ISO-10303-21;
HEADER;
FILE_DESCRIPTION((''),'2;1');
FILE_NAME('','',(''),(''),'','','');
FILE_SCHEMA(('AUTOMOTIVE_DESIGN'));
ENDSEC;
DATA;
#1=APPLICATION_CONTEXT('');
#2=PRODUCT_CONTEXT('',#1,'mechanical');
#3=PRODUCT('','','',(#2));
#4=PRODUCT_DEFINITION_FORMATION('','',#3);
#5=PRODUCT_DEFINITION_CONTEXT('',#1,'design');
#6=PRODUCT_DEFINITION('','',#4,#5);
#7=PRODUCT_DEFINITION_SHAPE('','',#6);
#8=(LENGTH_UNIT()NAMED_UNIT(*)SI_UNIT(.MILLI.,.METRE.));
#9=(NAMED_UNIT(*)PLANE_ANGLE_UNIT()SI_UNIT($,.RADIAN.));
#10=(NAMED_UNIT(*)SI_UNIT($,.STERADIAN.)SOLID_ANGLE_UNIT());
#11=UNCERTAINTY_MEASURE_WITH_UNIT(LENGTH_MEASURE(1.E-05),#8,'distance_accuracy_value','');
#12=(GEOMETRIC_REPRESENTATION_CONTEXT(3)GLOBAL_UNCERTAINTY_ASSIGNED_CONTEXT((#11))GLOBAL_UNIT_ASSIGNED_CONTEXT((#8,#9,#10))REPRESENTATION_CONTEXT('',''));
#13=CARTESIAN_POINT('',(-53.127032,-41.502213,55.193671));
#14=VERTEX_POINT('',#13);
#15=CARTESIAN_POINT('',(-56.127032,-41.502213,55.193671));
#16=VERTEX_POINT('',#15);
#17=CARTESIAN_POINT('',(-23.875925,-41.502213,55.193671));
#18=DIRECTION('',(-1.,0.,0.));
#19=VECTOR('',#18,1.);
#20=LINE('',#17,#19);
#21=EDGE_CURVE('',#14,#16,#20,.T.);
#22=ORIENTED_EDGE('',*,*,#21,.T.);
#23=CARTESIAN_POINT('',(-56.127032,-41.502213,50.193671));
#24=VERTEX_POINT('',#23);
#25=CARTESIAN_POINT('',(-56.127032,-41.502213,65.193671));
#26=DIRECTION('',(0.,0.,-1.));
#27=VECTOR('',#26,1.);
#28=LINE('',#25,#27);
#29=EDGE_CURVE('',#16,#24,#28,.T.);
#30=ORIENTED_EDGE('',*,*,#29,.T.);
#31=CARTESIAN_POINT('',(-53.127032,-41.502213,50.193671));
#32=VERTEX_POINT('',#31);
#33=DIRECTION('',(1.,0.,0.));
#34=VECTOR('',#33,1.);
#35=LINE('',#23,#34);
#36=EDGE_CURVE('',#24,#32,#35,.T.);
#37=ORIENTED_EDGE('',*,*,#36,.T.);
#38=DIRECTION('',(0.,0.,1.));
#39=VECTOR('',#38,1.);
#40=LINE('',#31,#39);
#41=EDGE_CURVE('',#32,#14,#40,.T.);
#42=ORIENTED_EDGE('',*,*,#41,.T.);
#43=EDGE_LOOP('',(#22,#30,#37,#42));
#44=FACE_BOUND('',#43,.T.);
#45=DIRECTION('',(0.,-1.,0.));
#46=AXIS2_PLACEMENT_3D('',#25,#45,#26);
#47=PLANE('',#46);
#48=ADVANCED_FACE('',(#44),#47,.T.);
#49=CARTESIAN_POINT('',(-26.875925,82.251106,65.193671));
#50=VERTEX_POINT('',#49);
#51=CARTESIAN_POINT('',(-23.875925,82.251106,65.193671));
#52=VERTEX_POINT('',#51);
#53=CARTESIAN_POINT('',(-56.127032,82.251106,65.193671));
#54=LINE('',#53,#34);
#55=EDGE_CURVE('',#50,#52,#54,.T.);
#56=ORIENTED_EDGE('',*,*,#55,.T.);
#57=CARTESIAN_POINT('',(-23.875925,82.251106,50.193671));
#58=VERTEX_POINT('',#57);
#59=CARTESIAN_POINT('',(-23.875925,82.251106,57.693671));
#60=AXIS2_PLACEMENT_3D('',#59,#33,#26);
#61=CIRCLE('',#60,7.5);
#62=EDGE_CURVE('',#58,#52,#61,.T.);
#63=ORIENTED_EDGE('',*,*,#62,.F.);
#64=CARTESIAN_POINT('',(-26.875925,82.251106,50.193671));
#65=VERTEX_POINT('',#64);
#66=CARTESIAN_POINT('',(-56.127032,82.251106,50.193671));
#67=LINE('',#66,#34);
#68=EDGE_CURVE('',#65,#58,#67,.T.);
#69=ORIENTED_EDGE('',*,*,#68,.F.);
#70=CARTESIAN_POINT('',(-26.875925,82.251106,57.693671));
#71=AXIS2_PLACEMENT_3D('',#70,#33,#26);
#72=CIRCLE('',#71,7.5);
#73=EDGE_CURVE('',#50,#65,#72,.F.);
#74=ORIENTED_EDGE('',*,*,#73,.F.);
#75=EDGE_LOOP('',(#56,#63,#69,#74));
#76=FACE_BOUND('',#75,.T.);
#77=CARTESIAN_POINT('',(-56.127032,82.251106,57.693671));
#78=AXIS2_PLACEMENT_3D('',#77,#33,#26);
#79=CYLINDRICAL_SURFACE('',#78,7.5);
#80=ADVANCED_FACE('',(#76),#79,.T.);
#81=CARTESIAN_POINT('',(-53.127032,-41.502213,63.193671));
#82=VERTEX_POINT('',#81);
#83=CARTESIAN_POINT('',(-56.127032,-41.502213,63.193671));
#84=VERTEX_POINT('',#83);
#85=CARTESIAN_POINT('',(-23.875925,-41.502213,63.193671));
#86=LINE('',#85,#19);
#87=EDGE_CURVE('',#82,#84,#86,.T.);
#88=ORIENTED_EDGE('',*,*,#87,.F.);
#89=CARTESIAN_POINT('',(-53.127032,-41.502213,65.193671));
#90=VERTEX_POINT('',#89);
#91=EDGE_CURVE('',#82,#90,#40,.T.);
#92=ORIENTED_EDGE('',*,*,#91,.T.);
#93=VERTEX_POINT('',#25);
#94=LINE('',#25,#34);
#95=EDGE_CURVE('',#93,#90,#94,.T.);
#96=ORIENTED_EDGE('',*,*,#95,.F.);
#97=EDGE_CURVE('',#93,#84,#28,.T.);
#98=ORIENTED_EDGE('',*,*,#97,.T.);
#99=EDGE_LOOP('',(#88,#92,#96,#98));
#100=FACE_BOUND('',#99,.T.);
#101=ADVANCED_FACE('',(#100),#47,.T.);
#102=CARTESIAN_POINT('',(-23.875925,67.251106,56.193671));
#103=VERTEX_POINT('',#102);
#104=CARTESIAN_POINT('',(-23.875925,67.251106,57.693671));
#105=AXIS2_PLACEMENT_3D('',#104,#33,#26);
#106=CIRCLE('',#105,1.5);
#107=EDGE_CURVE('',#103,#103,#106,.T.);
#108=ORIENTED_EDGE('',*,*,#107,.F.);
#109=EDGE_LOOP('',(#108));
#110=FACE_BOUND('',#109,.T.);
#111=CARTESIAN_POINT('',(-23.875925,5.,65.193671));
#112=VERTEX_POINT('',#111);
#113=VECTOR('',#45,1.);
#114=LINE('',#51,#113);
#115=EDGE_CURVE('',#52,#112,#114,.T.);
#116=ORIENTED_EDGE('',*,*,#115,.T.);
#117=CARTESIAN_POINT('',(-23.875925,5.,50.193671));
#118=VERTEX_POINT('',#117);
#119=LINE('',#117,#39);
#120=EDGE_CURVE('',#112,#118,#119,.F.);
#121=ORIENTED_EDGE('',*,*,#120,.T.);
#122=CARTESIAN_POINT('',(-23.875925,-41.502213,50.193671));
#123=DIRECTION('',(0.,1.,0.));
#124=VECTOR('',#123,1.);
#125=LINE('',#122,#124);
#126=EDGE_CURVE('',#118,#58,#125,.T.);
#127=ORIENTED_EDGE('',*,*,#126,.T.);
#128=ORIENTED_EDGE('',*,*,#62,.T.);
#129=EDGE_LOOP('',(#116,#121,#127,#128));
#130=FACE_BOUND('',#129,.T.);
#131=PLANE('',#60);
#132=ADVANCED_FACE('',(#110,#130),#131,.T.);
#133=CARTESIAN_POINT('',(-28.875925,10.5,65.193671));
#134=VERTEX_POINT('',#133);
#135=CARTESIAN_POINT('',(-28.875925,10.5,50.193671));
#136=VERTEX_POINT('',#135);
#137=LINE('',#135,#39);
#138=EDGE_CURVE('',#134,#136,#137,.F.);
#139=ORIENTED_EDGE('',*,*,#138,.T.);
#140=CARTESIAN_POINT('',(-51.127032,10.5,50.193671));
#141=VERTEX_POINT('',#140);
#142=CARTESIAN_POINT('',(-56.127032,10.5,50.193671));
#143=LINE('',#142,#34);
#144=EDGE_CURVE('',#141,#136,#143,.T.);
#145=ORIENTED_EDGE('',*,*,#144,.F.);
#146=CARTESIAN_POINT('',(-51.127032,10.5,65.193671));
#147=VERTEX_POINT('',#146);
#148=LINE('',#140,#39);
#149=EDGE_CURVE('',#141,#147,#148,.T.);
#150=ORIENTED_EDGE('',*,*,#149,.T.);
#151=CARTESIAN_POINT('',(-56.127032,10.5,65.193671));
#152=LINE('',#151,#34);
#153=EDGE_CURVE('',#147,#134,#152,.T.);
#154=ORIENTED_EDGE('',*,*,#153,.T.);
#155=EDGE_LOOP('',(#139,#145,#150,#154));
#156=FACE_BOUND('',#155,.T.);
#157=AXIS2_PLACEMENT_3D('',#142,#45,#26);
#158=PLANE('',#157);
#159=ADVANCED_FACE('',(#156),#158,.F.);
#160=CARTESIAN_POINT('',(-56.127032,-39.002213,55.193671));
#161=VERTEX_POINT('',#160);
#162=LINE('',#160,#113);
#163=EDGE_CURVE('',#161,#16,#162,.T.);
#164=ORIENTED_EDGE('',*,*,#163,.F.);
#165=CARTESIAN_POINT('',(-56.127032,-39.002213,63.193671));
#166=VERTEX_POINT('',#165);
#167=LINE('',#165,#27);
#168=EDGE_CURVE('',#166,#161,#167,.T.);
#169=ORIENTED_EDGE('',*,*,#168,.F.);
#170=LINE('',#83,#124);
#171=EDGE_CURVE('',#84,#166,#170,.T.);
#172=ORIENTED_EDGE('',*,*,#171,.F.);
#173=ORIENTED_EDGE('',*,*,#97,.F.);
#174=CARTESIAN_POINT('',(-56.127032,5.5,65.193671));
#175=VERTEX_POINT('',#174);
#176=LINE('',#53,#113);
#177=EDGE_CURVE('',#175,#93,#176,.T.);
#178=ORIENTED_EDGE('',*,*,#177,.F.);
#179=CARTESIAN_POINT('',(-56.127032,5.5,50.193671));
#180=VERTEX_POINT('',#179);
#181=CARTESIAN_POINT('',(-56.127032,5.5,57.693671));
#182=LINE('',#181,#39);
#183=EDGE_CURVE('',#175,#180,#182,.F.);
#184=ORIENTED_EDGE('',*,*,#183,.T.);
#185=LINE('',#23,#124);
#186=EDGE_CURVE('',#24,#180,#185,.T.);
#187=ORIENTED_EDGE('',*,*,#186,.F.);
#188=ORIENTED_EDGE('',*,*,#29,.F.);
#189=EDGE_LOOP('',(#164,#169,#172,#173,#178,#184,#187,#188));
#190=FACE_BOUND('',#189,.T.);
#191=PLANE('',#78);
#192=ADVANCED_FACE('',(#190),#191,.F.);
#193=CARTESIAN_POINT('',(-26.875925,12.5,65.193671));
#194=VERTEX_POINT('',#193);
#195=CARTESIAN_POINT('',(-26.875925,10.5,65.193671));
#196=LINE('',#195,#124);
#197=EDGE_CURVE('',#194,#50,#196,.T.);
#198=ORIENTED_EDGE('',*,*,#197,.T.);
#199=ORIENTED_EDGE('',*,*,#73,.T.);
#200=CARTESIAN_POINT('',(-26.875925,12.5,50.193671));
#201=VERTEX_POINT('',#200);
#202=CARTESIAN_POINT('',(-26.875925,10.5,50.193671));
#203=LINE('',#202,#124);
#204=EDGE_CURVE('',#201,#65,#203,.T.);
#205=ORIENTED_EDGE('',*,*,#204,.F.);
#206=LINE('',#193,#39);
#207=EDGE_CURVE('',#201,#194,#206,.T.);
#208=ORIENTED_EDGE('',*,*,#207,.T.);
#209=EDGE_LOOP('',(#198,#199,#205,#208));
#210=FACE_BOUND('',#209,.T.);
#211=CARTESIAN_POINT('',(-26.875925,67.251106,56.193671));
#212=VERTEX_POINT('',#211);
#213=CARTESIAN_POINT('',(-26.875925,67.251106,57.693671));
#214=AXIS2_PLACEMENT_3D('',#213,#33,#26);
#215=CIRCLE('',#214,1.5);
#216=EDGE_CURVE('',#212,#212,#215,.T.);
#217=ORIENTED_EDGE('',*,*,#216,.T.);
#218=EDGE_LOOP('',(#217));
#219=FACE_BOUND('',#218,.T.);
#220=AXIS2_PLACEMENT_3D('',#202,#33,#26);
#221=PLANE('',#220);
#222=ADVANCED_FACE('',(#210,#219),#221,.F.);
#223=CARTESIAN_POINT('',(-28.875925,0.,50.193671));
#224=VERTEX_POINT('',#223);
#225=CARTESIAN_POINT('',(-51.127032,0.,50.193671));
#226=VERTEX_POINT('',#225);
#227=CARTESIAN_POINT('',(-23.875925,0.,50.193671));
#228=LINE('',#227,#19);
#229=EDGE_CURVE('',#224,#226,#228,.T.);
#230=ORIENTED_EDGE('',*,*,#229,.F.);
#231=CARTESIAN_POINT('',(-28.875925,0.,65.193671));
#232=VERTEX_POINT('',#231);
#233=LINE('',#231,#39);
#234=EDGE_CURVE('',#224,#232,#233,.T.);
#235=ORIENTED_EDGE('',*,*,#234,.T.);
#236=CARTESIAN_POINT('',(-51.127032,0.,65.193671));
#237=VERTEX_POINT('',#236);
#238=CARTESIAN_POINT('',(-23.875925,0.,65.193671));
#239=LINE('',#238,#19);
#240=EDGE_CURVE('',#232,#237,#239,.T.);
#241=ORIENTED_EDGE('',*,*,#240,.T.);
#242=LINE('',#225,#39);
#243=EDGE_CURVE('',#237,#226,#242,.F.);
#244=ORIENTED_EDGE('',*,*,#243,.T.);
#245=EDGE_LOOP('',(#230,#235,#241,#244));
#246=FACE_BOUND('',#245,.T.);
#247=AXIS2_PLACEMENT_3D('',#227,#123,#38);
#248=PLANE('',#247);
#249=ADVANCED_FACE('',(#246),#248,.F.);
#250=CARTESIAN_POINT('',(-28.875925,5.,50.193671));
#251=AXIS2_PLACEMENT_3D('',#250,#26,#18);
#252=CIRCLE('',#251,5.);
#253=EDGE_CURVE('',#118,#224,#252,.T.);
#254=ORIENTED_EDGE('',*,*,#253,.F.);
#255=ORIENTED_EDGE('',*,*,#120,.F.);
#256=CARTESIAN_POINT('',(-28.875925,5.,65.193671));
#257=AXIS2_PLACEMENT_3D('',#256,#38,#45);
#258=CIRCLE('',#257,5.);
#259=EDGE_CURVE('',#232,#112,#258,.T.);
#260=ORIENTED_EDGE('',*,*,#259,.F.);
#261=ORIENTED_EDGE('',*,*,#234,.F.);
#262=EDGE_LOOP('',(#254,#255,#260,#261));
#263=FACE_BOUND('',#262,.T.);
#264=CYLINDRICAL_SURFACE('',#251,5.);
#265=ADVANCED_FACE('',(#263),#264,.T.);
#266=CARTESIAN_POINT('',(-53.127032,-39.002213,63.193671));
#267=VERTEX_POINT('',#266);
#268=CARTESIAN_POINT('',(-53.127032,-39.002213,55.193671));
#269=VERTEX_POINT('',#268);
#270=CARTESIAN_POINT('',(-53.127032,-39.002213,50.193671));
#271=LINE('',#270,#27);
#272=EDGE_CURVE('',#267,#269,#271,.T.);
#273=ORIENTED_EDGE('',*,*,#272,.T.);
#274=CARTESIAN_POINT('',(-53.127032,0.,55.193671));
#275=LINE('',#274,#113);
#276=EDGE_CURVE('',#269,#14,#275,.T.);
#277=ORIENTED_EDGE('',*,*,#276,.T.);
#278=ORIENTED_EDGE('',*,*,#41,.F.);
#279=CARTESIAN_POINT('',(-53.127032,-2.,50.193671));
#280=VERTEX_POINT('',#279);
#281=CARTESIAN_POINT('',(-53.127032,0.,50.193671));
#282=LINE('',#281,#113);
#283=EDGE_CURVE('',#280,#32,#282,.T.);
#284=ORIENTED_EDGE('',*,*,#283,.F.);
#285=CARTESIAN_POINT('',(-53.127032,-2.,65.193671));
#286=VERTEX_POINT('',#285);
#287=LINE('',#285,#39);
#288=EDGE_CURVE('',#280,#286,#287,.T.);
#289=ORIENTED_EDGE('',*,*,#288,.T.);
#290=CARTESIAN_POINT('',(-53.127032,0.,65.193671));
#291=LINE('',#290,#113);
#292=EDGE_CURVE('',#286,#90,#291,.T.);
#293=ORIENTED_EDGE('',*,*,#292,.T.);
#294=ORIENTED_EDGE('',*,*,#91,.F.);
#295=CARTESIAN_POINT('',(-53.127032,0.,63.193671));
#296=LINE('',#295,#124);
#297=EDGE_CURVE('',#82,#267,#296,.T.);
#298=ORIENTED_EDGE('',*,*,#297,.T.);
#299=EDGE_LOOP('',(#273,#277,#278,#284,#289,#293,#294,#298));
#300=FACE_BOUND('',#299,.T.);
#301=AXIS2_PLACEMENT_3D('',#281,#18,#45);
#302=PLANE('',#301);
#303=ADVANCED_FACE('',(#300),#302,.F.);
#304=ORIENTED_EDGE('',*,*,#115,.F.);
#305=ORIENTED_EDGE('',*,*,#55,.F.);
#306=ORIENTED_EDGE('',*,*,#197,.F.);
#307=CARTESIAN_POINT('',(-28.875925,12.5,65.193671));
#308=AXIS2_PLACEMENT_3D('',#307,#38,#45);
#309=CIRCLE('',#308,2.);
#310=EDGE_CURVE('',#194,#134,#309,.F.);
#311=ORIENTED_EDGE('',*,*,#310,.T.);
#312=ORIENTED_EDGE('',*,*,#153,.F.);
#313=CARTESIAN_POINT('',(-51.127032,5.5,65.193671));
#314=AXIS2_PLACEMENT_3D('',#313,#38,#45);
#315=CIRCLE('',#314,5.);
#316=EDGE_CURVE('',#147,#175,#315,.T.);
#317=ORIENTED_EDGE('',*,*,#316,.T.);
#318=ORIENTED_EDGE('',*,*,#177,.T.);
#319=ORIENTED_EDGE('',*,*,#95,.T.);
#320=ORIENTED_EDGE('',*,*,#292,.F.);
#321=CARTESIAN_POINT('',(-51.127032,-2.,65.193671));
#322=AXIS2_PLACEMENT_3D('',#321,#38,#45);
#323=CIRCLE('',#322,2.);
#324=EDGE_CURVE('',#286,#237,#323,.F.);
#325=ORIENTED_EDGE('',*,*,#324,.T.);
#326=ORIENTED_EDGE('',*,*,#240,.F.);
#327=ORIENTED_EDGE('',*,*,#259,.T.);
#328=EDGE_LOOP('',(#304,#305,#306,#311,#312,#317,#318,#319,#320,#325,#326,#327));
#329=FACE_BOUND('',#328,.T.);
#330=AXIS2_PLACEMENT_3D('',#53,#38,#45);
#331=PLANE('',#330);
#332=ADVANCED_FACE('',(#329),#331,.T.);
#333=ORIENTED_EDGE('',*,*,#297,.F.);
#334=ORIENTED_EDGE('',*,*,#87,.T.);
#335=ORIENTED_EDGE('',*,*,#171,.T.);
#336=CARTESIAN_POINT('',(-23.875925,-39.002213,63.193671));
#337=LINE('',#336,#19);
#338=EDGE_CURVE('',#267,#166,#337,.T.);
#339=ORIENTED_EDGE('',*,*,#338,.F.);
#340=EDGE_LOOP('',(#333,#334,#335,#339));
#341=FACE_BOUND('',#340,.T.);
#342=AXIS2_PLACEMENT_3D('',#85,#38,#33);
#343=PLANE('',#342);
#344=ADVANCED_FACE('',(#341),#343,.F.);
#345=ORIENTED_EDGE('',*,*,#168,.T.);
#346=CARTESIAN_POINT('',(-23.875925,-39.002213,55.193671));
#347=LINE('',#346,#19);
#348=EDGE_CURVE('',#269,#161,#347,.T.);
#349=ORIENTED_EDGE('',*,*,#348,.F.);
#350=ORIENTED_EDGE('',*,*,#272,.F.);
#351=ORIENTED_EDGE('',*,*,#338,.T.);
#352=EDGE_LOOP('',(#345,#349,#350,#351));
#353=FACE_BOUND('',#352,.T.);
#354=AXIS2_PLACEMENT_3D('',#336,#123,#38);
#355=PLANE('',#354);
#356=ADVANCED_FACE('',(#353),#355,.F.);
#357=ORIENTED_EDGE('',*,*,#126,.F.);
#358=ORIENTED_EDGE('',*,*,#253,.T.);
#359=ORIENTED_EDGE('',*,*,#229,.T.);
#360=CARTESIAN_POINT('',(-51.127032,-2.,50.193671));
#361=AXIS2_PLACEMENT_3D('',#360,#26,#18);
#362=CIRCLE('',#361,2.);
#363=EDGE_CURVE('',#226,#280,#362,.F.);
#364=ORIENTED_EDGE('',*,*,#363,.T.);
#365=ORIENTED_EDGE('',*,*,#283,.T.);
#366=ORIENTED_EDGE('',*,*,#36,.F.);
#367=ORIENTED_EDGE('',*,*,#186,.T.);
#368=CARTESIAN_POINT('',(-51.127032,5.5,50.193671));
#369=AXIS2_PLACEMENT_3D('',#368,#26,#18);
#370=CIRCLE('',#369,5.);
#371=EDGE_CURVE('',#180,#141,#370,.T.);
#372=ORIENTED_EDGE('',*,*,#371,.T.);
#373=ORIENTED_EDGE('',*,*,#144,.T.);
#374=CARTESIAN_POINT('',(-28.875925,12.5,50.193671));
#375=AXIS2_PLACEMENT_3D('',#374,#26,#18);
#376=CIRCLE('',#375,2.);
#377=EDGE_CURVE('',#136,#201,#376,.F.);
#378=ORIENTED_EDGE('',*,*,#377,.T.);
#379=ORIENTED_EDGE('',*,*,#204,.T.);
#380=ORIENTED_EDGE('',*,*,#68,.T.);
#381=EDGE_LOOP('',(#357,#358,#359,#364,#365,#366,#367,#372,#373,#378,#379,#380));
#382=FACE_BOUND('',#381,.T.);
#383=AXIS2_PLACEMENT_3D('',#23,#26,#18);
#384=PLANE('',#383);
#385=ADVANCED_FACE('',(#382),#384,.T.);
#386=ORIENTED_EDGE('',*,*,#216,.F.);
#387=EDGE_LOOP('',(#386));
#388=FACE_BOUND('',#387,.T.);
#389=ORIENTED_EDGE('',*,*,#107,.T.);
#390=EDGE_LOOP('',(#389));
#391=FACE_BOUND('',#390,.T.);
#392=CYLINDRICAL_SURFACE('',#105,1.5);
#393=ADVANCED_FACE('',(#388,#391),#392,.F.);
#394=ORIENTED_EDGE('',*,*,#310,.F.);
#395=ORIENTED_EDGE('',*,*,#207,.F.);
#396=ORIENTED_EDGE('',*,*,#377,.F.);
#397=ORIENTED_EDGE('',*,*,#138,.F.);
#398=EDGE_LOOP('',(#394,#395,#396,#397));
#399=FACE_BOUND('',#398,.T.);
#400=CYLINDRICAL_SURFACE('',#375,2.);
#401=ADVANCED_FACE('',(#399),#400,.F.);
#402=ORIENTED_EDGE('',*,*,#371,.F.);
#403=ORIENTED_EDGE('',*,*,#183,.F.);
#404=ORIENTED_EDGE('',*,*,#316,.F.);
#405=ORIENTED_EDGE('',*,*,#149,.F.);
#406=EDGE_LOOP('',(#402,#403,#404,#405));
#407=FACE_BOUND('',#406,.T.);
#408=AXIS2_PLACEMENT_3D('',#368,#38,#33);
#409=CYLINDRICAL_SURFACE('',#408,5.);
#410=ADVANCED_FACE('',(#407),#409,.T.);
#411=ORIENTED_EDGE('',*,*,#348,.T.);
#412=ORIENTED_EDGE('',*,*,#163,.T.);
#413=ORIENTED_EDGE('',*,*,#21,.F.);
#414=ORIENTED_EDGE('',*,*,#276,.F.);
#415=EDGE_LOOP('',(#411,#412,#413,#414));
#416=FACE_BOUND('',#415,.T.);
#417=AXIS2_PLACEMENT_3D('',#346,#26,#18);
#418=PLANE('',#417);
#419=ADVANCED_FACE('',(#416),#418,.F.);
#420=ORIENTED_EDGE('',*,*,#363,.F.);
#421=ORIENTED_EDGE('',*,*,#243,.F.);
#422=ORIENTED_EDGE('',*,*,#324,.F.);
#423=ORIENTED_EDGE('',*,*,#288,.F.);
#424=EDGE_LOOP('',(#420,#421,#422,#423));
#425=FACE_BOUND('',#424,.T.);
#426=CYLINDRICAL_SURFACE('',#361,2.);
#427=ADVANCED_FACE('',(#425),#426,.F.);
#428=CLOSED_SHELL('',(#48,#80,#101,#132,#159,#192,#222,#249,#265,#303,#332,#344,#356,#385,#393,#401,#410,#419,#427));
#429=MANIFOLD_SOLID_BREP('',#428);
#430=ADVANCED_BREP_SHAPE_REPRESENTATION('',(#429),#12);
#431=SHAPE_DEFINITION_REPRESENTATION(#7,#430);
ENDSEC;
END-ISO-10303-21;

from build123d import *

# Parameters (mm, degrees)
BOSS_EXTRUDE1_DEPTH          = 32.251106428
SKETCH2_W                    = 29.251106428
SKETCH2_H                    = 41.502212856
CUT_EXTRUDE1_DEPTH           = 107.913538909
SKETCH3_W                    = 29.251106428
SKETCH3_H                    = 79.251106428
CUT_EXTRUDE2_DEPTH           = 107.913538909
SKETCH4_W                    = 8
SKETCH4_H                    = 2.5
CUT_EXTRUDE3_DEPTH           = 116.523199892
F_3_0_3_DIAMETER_HOLE1_D     = 3
F_3_0_3_DIAMETER_HOLE1_DEPTH = 32.251106428
FILLET1_R                    = 2
FILLET2_R                    = 5


with BuildPart() as part:
    # Sketch1 → Boss-Extrude1 (new body)
    with BuildSketch(Plane(origin=(-23.875925357, 0, 0), x_dir=(0, 0, -1), z_dir=(1, 0, 0))):
        with BuildLine():
            Line((-65.19367103, 82.251106428), (-65.19367103, -41.502212856))
            Line((-65.19367103, -41.502212856), (-50.19367103, -41.502212856))
            Line((-50.19367103, -41.502212856), (-50.19367103, 82.251106428))
            ThreePointArc((-50.19367103, 82.251106428), (-57.69367103, 89.751106428), (-65.19367103, 82.251106428))
        make_face()
    extrude(amount=-BOSS_EXTRUDE1_DEPTH)

    # Sketch2 → Cut-Extrude1 (cut, through all)
    with BuildSketch(Plane.XY.offset(65.19367103)):
        with Locations((-38.501478571, -20.751106428)):
            Rectangle(SKETCH2_W, SKETCH2_H)
    extrude(amount=-CUT_EXTRUDE1_DEPTH, mode=Mode.SUBTRACT)

    # Sketch3 → Cut-Extrude2 (cut, through all)
    with BuildSketch(Plane.XY.offset(65.19367103)):
        with Locations((-41.501478571, 50.125553214)):
            Rectangle(SKETCH3_W, SKETCH3_H)
    extrude(amount=-CUT_EXTRUDE2_DEPTH, mode=Mode.SUBTRACT)

    # Sketch4 → Cut-Extrude3 (cut, through all)
    with BuildSketch(Plane.ZY.offset(56.127031785)):
        with Locations((59.19367103, -40.252212856)):
            Rectangle(SKETCH4_W, SKETCH4_H)
    extrude(amount=-CUT_EXTRUDE3_DEPTH, mode=Mode.SUBTRACT)

    # Ø3.0 (3) Diameter Hole1
    with Locations(Plane(origin=(-23.875925357, 0, 0), x_dir=(0, 0, -1), z_dir=(1, 0, 0))):
        with Locations((-57.69367103, 67.251106428)):
            Hole(F_3_0_3_DIAMETER_HOLE1_D / 2, depth=F_3_0_3_DIAMETER_HOLE1_DEPTH)

    # Fillet1
    fillet1_edges = [part.edges().sort_by_distance(p)[0] for p in [
        (-53.127031785, 0, 57.69367103),
        (-26.875925357, 10.5, 57.69367103),
    ]]
    fillet(fillet1_edges, radius=FILLET1_R)

    # Fillet2
    fillet2_edges = [part.edges().sort_by_distance(p)[0] for p in [
        (-23.875925357, 0, 57.69367103),
        (-56.127031785, 10.5, 57.69367103),
    ]]
    fillet(fillet2_edges, radius=FILLET2_R)


solid = part.part
